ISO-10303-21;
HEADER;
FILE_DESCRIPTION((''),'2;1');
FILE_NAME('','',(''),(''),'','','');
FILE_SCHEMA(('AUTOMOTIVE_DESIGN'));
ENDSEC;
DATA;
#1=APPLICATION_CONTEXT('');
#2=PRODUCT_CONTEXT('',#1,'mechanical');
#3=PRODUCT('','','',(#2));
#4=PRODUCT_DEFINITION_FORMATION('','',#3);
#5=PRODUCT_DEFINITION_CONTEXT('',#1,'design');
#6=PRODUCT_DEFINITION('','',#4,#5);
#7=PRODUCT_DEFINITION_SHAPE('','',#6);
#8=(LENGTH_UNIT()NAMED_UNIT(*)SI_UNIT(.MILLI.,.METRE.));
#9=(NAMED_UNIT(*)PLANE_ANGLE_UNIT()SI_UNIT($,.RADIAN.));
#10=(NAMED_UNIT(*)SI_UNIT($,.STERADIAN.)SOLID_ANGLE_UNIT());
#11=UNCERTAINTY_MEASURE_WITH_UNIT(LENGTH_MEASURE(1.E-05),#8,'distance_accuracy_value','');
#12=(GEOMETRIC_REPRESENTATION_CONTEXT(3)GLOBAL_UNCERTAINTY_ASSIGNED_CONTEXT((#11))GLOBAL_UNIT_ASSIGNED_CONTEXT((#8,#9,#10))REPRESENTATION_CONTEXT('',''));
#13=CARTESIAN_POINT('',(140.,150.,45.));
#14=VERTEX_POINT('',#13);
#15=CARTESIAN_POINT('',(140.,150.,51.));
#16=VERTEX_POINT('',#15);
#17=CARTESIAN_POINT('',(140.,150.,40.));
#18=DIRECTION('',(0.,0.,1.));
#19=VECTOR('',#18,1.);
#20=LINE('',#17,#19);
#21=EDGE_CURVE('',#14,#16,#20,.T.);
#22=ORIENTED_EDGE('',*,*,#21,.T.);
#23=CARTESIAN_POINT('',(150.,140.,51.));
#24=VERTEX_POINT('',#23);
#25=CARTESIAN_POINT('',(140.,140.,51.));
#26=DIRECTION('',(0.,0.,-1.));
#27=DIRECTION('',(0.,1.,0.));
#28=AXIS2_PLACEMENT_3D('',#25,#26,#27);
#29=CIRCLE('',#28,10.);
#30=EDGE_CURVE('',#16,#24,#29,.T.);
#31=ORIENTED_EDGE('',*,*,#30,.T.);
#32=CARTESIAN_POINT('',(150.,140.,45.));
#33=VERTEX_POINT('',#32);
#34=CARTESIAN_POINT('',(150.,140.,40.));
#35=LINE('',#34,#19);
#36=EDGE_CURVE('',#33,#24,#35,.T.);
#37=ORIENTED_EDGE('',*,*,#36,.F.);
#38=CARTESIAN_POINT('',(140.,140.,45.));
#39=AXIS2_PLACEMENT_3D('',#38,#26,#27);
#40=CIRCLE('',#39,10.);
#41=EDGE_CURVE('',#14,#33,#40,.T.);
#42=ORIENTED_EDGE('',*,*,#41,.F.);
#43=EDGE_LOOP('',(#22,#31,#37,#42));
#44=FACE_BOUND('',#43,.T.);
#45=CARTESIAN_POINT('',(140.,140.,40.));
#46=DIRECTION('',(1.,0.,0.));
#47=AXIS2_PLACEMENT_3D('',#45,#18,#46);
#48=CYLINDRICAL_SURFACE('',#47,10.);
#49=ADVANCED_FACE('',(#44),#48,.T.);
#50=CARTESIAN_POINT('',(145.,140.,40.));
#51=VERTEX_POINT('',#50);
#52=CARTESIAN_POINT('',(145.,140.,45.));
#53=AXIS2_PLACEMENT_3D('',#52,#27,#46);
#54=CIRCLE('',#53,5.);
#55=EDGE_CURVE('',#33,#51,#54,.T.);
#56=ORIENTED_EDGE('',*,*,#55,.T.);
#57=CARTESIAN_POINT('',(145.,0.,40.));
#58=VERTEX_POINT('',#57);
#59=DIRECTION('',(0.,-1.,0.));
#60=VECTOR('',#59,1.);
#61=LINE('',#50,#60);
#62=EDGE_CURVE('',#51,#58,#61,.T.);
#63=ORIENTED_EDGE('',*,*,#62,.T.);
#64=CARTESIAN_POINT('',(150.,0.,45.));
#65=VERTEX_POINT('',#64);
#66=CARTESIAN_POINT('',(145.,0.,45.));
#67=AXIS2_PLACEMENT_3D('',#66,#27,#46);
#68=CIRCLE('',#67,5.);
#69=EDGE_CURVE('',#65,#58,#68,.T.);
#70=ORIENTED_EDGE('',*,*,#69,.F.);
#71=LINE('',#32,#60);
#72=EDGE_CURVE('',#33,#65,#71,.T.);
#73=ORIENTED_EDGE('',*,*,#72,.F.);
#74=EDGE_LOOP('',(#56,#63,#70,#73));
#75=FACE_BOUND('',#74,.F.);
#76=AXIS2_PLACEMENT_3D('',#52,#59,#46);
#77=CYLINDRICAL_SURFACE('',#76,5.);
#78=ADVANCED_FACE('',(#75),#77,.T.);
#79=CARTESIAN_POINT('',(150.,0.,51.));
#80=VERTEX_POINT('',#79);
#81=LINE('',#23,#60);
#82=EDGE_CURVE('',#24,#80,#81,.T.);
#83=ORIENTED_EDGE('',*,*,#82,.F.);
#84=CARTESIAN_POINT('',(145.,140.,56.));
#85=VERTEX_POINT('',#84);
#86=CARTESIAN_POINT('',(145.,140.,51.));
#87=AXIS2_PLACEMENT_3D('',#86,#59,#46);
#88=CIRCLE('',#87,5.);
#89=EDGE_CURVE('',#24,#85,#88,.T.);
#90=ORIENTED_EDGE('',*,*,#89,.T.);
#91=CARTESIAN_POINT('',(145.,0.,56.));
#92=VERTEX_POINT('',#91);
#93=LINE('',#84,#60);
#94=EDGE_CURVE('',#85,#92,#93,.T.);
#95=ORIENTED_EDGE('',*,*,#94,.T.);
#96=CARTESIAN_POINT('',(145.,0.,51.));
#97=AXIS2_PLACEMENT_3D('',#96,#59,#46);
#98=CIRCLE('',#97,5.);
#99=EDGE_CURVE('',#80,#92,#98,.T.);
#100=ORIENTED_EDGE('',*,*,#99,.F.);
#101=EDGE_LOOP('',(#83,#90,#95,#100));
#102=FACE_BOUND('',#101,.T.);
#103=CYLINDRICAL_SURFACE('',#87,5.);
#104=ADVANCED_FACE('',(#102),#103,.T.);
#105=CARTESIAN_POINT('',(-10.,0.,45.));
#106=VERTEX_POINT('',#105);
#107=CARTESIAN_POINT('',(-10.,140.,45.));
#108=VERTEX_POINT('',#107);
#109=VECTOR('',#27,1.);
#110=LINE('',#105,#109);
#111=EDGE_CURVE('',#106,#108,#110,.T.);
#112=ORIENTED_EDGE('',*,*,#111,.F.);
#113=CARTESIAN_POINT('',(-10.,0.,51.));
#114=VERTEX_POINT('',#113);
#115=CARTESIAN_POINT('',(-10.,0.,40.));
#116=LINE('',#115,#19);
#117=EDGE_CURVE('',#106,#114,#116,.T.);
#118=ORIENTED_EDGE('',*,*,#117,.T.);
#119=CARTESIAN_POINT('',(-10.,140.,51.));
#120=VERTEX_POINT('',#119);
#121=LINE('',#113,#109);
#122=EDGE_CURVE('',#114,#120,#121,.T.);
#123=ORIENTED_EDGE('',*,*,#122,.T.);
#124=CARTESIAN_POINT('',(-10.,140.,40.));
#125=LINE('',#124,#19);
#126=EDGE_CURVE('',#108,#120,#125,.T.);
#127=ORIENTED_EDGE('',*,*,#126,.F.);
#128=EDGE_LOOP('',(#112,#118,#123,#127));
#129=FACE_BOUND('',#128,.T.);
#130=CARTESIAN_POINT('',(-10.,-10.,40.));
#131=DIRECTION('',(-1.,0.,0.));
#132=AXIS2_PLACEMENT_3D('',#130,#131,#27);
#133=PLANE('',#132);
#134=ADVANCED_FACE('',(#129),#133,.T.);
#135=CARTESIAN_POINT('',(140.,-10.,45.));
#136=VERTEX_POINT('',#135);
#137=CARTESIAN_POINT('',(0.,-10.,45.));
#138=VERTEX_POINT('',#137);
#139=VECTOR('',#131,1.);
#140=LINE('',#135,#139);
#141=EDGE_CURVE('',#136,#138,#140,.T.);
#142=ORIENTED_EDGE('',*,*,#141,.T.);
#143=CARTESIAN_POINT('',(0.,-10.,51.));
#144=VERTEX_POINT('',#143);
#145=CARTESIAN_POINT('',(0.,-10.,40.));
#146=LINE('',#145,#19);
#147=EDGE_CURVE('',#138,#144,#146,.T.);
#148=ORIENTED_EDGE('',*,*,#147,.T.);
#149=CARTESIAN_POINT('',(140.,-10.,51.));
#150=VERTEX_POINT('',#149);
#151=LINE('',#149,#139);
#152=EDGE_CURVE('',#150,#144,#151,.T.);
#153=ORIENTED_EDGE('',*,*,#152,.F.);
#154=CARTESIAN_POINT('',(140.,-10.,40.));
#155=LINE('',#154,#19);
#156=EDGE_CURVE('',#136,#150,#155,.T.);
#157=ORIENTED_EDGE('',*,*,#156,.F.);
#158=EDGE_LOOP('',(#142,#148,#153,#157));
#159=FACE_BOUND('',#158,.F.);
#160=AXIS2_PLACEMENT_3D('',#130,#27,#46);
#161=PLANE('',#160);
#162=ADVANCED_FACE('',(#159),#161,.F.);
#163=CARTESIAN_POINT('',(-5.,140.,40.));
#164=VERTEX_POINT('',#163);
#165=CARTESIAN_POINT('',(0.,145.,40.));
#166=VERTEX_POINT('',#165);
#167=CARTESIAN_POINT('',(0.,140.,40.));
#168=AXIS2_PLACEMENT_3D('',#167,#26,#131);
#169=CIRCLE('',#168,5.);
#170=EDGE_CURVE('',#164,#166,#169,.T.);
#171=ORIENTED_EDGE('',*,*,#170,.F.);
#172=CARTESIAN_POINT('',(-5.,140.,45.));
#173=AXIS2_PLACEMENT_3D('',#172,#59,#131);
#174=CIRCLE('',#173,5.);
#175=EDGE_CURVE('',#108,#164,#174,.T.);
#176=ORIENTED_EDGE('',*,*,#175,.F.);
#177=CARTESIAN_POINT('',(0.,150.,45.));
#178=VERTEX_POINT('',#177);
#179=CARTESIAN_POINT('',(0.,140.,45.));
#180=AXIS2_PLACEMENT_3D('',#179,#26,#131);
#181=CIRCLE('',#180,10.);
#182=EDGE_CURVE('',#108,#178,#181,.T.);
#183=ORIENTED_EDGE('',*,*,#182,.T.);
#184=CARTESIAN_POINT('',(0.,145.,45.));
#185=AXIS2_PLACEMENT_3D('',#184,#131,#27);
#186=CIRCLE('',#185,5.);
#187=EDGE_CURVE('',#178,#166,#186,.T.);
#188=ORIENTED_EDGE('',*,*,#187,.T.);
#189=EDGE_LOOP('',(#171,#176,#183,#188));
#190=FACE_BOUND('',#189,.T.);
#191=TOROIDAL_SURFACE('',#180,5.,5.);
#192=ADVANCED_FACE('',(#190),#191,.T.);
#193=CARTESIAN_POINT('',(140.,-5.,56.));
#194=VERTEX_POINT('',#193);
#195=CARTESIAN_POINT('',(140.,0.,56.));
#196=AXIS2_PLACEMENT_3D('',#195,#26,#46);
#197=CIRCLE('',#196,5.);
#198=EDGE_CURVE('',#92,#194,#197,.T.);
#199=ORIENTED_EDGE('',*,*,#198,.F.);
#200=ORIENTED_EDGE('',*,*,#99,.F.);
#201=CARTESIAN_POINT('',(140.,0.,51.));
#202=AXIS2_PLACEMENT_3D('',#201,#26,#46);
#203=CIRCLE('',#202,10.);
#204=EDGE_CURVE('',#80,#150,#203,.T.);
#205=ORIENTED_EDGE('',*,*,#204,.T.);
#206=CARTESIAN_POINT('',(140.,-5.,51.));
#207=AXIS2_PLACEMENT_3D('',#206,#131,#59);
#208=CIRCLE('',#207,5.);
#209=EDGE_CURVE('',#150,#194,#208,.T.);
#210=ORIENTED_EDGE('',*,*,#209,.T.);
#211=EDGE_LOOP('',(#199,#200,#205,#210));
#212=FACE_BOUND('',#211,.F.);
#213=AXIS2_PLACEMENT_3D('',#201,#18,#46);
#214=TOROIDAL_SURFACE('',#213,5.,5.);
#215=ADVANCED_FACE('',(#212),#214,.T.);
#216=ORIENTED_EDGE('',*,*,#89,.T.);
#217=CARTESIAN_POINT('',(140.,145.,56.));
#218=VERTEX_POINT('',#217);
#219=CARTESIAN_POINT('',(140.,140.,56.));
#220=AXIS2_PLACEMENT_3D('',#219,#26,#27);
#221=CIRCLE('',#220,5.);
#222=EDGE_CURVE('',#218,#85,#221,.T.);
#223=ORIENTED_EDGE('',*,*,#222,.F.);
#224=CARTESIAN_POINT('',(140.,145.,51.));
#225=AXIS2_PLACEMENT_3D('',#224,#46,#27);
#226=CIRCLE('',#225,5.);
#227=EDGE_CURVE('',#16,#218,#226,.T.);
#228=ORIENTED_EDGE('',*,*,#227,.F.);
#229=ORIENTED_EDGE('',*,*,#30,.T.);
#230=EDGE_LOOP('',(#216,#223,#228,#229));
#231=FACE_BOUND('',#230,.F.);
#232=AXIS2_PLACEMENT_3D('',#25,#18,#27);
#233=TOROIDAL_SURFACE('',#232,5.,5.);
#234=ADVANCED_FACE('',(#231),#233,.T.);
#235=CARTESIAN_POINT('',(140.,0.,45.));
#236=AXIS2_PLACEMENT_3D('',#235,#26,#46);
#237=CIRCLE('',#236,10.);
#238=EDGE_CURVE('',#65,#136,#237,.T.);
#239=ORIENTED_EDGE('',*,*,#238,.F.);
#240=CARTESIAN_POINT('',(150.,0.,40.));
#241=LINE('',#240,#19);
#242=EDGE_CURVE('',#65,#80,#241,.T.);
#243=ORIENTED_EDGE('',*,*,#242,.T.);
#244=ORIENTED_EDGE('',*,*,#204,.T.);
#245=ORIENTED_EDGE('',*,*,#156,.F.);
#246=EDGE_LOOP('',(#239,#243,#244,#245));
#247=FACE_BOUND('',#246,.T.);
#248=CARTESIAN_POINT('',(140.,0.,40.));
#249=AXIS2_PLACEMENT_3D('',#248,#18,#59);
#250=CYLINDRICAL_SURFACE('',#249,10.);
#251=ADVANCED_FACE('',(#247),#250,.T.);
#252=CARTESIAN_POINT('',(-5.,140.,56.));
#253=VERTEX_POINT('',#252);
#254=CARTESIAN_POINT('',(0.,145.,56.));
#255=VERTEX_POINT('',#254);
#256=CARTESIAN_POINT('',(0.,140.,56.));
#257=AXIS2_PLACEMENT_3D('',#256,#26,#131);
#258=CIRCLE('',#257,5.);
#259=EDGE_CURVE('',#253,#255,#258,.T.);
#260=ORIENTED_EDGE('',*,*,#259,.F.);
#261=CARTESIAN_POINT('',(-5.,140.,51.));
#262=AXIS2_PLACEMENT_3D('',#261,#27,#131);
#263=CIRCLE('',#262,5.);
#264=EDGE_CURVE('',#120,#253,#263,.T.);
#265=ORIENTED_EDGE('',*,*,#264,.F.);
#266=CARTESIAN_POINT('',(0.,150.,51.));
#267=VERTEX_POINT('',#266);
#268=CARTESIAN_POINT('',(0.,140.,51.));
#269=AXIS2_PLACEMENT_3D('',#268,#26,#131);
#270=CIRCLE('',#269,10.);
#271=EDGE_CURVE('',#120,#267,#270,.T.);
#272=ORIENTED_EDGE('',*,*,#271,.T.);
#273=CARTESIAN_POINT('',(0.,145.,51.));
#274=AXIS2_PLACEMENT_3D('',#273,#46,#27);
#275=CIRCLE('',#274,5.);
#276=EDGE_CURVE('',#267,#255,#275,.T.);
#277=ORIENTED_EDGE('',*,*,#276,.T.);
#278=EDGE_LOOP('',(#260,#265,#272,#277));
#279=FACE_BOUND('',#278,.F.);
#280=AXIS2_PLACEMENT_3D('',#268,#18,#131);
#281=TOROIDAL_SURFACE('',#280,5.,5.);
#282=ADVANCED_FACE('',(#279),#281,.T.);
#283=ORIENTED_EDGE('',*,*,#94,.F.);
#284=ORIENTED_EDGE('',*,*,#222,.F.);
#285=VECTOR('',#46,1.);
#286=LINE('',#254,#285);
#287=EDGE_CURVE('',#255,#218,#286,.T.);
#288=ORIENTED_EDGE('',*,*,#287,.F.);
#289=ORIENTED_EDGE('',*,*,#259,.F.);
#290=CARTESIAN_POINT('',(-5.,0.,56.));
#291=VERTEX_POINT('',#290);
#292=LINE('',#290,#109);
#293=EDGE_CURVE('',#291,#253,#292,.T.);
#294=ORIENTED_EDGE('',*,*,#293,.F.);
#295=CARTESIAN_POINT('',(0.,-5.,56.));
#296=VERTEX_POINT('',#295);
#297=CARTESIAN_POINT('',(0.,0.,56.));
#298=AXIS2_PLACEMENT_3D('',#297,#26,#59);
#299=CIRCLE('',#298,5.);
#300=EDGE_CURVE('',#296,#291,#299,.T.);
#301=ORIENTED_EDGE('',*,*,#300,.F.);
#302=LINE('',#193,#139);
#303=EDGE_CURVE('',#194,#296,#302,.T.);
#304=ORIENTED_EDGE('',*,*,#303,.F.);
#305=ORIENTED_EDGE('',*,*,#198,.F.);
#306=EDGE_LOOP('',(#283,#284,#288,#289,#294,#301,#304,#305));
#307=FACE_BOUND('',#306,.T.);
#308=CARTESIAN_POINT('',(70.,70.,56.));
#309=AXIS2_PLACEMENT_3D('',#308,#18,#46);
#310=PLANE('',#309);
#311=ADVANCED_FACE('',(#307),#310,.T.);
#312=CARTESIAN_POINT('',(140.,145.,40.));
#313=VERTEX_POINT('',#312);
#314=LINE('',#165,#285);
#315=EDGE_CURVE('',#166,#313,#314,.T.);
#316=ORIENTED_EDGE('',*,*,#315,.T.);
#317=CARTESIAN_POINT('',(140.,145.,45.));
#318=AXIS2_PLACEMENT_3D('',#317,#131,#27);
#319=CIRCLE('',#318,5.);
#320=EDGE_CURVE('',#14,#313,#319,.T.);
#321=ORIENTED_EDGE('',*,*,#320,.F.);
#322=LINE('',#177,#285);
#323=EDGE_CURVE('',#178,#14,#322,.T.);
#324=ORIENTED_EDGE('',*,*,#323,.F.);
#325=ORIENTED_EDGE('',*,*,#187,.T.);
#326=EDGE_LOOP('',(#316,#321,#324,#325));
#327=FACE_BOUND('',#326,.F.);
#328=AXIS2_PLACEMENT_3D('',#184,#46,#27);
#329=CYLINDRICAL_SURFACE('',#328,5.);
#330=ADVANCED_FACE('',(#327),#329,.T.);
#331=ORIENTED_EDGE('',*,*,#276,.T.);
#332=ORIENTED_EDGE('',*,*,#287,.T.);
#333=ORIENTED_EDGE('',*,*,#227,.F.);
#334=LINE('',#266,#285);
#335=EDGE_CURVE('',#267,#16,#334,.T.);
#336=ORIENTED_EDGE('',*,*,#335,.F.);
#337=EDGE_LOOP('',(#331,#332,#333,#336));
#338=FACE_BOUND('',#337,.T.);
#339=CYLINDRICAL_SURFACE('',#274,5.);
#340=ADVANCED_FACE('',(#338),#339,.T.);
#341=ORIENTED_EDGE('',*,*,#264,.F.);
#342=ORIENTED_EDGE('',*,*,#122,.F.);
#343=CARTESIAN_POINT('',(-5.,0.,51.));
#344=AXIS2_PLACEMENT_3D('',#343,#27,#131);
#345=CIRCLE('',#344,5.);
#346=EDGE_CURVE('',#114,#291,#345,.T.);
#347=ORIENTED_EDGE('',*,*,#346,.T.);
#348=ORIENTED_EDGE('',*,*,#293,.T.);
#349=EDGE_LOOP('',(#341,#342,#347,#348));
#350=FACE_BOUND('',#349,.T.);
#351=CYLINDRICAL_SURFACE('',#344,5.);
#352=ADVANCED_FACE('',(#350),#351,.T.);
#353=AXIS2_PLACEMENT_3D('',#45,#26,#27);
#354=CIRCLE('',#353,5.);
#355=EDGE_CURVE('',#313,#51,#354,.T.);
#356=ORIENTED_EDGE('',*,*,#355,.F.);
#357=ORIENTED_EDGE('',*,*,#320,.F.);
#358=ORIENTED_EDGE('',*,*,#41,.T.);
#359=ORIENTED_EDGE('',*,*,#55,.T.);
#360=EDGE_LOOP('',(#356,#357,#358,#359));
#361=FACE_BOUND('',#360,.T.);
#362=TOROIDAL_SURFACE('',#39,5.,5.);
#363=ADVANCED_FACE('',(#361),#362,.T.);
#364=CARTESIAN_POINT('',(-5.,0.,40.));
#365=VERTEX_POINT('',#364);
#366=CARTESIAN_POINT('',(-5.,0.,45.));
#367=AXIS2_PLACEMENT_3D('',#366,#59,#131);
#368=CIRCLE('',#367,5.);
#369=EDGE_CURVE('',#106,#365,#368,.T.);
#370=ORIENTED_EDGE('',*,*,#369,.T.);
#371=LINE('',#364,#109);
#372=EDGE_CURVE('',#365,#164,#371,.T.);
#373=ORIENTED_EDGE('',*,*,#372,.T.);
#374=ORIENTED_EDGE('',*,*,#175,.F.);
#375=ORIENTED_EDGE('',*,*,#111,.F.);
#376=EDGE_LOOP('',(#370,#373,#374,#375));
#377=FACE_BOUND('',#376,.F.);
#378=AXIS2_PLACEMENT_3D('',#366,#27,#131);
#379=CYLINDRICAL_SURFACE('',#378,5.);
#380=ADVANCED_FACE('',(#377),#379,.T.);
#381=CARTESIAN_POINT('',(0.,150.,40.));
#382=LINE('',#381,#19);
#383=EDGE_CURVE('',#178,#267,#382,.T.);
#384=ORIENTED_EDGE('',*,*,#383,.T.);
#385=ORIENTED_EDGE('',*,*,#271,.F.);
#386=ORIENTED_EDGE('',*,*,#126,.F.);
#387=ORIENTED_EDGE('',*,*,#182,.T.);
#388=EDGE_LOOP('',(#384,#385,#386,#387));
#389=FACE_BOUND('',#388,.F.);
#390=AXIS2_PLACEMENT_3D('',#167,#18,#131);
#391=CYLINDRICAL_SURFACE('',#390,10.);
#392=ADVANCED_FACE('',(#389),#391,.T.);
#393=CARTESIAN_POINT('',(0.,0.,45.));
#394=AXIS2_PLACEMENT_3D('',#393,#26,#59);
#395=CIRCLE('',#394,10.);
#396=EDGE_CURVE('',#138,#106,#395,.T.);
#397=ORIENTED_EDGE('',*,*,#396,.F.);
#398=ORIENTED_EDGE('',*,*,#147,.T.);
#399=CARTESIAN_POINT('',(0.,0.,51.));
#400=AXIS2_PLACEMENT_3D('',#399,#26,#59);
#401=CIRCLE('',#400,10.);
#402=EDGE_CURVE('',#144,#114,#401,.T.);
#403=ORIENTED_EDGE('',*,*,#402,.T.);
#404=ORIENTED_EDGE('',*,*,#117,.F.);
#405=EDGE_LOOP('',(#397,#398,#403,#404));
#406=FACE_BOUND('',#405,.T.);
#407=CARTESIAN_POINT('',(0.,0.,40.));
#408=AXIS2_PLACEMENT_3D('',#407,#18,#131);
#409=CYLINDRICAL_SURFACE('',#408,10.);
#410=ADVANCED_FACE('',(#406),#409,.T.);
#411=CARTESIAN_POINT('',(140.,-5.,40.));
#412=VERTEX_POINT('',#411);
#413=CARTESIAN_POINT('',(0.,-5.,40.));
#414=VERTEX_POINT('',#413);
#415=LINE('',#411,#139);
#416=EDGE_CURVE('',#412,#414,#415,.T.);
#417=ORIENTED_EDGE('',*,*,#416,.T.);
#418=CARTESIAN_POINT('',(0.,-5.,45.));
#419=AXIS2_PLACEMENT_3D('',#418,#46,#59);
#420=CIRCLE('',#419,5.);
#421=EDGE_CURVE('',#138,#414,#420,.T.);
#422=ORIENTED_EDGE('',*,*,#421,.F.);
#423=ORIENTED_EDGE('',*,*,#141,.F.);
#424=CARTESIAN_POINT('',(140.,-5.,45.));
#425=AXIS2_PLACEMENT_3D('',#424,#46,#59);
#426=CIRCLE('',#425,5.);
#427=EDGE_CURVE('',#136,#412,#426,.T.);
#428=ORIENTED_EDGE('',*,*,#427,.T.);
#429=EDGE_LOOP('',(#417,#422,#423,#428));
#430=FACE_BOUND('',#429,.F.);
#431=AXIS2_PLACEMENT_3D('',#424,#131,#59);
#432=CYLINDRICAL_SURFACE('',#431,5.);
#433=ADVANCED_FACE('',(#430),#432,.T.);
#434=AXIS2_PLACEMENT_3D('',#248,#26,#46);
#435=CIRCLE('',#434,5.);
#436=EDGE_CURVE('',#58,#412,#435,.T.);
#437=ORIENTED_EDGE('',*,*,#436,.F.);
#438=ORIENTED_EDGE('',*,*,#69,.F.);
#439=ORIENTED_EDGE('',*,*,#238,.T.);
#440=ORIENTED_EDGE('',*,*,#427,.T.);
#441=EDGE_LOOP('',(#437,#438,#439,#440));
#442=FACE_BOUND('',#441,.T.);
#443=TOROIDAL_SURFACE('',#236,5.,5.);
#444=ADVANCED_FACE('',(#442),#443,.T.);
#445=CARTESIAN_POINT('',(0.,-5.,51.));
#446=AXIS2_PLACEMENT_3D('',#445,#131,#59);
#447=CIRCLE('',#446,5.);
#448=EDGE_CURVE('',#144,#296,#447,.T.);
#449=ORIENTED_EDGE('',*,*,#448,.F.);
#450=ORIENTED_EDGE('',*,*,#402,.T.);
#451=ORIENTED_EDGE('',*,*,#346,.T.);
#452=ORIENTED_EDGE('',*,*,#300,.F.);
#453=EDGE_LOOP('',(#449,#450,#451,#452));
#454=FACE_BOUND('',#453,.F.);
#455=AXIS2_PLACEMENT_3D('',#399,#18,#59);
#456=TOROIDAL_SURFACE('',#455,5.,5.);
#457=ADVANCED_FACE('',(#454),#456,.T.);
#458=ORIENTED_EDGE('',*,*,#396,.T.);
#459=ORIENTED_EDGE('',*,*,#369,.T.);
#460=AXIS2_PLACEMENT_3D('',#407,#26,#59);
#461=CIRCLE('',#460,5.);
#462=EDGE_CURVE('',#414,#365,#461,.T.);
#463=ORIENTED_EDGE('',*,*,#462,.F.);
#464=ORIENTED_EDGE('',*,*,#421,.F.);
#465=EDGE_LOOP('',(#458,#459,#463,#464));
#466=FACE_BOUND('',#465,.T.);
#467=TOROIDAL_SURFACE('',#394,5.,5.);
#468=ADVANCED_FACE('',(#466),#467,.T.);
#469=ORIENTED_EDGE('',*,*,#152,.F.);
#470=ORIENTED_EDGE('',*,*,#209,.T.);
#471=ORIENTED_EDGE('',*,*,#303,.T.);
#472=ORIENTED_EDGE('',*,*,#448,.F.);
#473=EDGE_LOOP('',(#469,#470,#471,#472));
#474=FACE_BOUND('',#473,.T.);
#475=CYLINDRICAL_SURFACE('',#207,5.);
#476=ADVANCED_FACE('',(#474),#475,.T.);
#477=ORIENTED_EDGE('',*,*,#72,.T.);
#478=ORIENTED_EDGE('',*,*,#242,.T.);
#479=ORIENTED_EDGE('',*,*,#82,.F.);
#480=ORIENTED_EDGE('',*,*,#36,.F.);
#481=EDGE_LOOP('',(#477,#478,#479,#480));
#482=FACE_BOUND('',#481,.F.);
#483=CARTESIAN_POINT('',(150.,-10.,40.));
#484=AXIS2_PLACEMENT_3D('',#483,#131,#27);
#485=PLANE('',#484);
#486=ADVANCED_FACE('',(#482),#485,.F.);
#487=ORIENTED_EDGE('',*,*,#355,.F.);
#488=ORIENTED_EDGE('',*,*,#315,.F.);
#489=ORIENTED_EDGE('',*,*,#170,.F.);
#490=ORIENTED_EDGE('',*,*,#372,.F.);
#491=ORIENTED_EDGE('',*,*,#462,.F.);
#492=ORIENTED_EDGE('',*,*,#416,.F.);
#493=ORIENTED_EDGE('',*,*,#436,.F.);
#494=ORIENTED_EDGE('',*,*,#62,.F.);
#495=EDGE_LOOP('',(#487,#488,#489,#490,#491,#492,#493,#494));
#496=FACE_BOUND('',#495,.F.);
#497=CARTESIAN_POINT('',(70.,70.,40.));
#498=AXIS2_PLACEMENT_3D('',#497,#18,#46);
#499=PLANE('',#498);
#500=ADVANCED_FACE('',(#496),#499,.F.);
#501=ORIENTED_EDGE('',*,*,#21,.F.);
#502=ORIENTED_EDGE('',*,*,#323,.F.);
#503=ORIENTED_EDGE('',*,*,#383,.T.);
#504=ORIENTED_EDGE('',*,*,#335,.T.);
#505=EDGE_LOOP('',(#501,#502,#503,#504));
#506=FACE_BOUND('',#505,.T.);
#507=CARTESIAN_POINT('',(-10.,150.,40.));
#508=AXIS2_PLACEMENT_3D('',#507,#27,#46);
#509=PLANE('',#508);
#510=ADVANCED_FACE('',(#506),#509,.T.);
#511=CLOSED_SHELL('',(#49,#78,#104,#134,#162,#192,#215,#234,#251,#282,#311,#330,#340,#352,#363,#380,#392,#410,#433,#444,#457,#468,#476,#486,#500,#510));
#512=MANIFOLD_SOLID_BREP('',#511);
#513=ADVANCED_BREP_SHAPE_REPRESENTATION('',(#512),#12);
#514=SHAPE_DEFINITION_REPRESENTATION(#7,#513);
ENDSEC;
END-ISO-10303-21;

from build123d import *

# Parameters (mm, degrees)
BOX009_W     = 160
BOX009_H     = 160
BOX009_DEPTH = 16
FILLET_R     = 10
FILLET001_R  = 5
FILLET002_R  = 5


with BuildPart() as part:
    # Box009 → Box009 (new body)
    with BuildSketch(Plane.XY):
        with Locations((80, 80)):
            Rectangle(BOX009_W, BOX009_H)
    extrude(amount=BOX009_DEPTH)

    # Fillet
    fillet_edges = [part.edges().sort_by_distance(p)[0] for p in [
        (0, 0, 8),
        (0, 160, 8),
        (160, 0, 8),
        (160, 160, 8),
    ]]
    fillet(fillet_edges, radius=FILLET_R)

    # Fillet001
    fillet001_edges = [part.edges().sort_by_distance(p)[0] for p in [
        (0, 80, 16),
        (2.928932, 2.928932, 16),
        (2.928932, 157.071068, 16),
        (80, 0, 16),
        (80, 160, 16),
        (157.071068, 2.928932, 16),
        (157.071068, 157.071068, 16),
        (160, 80, 16),
    ]]
    fillet(fillet001_edges, radius=FILLET001_R)

    # Fillet002
    fillet002_edges = [part.edges().sort_by_distance(p)[0] for p in [
        (0, 80, 0),
        (2.928932, 2.928932, 0),
        (2.928932, 157.071068, 0),
        (80, 0, 0),
        (80, 160, 0),
        (157.071068, 2.928932, 0),
        (157.071068, 157.071068, 0),
        (160, 80, 0),
    ]]
    fillet(fillet002_edges, radius=FILLET002_R)


with BuildPart() as part_1:
    # Fillet002 placement: moved
    add(part.part.moved(Location((-10, -10, 40))))


solid = part_1.part
